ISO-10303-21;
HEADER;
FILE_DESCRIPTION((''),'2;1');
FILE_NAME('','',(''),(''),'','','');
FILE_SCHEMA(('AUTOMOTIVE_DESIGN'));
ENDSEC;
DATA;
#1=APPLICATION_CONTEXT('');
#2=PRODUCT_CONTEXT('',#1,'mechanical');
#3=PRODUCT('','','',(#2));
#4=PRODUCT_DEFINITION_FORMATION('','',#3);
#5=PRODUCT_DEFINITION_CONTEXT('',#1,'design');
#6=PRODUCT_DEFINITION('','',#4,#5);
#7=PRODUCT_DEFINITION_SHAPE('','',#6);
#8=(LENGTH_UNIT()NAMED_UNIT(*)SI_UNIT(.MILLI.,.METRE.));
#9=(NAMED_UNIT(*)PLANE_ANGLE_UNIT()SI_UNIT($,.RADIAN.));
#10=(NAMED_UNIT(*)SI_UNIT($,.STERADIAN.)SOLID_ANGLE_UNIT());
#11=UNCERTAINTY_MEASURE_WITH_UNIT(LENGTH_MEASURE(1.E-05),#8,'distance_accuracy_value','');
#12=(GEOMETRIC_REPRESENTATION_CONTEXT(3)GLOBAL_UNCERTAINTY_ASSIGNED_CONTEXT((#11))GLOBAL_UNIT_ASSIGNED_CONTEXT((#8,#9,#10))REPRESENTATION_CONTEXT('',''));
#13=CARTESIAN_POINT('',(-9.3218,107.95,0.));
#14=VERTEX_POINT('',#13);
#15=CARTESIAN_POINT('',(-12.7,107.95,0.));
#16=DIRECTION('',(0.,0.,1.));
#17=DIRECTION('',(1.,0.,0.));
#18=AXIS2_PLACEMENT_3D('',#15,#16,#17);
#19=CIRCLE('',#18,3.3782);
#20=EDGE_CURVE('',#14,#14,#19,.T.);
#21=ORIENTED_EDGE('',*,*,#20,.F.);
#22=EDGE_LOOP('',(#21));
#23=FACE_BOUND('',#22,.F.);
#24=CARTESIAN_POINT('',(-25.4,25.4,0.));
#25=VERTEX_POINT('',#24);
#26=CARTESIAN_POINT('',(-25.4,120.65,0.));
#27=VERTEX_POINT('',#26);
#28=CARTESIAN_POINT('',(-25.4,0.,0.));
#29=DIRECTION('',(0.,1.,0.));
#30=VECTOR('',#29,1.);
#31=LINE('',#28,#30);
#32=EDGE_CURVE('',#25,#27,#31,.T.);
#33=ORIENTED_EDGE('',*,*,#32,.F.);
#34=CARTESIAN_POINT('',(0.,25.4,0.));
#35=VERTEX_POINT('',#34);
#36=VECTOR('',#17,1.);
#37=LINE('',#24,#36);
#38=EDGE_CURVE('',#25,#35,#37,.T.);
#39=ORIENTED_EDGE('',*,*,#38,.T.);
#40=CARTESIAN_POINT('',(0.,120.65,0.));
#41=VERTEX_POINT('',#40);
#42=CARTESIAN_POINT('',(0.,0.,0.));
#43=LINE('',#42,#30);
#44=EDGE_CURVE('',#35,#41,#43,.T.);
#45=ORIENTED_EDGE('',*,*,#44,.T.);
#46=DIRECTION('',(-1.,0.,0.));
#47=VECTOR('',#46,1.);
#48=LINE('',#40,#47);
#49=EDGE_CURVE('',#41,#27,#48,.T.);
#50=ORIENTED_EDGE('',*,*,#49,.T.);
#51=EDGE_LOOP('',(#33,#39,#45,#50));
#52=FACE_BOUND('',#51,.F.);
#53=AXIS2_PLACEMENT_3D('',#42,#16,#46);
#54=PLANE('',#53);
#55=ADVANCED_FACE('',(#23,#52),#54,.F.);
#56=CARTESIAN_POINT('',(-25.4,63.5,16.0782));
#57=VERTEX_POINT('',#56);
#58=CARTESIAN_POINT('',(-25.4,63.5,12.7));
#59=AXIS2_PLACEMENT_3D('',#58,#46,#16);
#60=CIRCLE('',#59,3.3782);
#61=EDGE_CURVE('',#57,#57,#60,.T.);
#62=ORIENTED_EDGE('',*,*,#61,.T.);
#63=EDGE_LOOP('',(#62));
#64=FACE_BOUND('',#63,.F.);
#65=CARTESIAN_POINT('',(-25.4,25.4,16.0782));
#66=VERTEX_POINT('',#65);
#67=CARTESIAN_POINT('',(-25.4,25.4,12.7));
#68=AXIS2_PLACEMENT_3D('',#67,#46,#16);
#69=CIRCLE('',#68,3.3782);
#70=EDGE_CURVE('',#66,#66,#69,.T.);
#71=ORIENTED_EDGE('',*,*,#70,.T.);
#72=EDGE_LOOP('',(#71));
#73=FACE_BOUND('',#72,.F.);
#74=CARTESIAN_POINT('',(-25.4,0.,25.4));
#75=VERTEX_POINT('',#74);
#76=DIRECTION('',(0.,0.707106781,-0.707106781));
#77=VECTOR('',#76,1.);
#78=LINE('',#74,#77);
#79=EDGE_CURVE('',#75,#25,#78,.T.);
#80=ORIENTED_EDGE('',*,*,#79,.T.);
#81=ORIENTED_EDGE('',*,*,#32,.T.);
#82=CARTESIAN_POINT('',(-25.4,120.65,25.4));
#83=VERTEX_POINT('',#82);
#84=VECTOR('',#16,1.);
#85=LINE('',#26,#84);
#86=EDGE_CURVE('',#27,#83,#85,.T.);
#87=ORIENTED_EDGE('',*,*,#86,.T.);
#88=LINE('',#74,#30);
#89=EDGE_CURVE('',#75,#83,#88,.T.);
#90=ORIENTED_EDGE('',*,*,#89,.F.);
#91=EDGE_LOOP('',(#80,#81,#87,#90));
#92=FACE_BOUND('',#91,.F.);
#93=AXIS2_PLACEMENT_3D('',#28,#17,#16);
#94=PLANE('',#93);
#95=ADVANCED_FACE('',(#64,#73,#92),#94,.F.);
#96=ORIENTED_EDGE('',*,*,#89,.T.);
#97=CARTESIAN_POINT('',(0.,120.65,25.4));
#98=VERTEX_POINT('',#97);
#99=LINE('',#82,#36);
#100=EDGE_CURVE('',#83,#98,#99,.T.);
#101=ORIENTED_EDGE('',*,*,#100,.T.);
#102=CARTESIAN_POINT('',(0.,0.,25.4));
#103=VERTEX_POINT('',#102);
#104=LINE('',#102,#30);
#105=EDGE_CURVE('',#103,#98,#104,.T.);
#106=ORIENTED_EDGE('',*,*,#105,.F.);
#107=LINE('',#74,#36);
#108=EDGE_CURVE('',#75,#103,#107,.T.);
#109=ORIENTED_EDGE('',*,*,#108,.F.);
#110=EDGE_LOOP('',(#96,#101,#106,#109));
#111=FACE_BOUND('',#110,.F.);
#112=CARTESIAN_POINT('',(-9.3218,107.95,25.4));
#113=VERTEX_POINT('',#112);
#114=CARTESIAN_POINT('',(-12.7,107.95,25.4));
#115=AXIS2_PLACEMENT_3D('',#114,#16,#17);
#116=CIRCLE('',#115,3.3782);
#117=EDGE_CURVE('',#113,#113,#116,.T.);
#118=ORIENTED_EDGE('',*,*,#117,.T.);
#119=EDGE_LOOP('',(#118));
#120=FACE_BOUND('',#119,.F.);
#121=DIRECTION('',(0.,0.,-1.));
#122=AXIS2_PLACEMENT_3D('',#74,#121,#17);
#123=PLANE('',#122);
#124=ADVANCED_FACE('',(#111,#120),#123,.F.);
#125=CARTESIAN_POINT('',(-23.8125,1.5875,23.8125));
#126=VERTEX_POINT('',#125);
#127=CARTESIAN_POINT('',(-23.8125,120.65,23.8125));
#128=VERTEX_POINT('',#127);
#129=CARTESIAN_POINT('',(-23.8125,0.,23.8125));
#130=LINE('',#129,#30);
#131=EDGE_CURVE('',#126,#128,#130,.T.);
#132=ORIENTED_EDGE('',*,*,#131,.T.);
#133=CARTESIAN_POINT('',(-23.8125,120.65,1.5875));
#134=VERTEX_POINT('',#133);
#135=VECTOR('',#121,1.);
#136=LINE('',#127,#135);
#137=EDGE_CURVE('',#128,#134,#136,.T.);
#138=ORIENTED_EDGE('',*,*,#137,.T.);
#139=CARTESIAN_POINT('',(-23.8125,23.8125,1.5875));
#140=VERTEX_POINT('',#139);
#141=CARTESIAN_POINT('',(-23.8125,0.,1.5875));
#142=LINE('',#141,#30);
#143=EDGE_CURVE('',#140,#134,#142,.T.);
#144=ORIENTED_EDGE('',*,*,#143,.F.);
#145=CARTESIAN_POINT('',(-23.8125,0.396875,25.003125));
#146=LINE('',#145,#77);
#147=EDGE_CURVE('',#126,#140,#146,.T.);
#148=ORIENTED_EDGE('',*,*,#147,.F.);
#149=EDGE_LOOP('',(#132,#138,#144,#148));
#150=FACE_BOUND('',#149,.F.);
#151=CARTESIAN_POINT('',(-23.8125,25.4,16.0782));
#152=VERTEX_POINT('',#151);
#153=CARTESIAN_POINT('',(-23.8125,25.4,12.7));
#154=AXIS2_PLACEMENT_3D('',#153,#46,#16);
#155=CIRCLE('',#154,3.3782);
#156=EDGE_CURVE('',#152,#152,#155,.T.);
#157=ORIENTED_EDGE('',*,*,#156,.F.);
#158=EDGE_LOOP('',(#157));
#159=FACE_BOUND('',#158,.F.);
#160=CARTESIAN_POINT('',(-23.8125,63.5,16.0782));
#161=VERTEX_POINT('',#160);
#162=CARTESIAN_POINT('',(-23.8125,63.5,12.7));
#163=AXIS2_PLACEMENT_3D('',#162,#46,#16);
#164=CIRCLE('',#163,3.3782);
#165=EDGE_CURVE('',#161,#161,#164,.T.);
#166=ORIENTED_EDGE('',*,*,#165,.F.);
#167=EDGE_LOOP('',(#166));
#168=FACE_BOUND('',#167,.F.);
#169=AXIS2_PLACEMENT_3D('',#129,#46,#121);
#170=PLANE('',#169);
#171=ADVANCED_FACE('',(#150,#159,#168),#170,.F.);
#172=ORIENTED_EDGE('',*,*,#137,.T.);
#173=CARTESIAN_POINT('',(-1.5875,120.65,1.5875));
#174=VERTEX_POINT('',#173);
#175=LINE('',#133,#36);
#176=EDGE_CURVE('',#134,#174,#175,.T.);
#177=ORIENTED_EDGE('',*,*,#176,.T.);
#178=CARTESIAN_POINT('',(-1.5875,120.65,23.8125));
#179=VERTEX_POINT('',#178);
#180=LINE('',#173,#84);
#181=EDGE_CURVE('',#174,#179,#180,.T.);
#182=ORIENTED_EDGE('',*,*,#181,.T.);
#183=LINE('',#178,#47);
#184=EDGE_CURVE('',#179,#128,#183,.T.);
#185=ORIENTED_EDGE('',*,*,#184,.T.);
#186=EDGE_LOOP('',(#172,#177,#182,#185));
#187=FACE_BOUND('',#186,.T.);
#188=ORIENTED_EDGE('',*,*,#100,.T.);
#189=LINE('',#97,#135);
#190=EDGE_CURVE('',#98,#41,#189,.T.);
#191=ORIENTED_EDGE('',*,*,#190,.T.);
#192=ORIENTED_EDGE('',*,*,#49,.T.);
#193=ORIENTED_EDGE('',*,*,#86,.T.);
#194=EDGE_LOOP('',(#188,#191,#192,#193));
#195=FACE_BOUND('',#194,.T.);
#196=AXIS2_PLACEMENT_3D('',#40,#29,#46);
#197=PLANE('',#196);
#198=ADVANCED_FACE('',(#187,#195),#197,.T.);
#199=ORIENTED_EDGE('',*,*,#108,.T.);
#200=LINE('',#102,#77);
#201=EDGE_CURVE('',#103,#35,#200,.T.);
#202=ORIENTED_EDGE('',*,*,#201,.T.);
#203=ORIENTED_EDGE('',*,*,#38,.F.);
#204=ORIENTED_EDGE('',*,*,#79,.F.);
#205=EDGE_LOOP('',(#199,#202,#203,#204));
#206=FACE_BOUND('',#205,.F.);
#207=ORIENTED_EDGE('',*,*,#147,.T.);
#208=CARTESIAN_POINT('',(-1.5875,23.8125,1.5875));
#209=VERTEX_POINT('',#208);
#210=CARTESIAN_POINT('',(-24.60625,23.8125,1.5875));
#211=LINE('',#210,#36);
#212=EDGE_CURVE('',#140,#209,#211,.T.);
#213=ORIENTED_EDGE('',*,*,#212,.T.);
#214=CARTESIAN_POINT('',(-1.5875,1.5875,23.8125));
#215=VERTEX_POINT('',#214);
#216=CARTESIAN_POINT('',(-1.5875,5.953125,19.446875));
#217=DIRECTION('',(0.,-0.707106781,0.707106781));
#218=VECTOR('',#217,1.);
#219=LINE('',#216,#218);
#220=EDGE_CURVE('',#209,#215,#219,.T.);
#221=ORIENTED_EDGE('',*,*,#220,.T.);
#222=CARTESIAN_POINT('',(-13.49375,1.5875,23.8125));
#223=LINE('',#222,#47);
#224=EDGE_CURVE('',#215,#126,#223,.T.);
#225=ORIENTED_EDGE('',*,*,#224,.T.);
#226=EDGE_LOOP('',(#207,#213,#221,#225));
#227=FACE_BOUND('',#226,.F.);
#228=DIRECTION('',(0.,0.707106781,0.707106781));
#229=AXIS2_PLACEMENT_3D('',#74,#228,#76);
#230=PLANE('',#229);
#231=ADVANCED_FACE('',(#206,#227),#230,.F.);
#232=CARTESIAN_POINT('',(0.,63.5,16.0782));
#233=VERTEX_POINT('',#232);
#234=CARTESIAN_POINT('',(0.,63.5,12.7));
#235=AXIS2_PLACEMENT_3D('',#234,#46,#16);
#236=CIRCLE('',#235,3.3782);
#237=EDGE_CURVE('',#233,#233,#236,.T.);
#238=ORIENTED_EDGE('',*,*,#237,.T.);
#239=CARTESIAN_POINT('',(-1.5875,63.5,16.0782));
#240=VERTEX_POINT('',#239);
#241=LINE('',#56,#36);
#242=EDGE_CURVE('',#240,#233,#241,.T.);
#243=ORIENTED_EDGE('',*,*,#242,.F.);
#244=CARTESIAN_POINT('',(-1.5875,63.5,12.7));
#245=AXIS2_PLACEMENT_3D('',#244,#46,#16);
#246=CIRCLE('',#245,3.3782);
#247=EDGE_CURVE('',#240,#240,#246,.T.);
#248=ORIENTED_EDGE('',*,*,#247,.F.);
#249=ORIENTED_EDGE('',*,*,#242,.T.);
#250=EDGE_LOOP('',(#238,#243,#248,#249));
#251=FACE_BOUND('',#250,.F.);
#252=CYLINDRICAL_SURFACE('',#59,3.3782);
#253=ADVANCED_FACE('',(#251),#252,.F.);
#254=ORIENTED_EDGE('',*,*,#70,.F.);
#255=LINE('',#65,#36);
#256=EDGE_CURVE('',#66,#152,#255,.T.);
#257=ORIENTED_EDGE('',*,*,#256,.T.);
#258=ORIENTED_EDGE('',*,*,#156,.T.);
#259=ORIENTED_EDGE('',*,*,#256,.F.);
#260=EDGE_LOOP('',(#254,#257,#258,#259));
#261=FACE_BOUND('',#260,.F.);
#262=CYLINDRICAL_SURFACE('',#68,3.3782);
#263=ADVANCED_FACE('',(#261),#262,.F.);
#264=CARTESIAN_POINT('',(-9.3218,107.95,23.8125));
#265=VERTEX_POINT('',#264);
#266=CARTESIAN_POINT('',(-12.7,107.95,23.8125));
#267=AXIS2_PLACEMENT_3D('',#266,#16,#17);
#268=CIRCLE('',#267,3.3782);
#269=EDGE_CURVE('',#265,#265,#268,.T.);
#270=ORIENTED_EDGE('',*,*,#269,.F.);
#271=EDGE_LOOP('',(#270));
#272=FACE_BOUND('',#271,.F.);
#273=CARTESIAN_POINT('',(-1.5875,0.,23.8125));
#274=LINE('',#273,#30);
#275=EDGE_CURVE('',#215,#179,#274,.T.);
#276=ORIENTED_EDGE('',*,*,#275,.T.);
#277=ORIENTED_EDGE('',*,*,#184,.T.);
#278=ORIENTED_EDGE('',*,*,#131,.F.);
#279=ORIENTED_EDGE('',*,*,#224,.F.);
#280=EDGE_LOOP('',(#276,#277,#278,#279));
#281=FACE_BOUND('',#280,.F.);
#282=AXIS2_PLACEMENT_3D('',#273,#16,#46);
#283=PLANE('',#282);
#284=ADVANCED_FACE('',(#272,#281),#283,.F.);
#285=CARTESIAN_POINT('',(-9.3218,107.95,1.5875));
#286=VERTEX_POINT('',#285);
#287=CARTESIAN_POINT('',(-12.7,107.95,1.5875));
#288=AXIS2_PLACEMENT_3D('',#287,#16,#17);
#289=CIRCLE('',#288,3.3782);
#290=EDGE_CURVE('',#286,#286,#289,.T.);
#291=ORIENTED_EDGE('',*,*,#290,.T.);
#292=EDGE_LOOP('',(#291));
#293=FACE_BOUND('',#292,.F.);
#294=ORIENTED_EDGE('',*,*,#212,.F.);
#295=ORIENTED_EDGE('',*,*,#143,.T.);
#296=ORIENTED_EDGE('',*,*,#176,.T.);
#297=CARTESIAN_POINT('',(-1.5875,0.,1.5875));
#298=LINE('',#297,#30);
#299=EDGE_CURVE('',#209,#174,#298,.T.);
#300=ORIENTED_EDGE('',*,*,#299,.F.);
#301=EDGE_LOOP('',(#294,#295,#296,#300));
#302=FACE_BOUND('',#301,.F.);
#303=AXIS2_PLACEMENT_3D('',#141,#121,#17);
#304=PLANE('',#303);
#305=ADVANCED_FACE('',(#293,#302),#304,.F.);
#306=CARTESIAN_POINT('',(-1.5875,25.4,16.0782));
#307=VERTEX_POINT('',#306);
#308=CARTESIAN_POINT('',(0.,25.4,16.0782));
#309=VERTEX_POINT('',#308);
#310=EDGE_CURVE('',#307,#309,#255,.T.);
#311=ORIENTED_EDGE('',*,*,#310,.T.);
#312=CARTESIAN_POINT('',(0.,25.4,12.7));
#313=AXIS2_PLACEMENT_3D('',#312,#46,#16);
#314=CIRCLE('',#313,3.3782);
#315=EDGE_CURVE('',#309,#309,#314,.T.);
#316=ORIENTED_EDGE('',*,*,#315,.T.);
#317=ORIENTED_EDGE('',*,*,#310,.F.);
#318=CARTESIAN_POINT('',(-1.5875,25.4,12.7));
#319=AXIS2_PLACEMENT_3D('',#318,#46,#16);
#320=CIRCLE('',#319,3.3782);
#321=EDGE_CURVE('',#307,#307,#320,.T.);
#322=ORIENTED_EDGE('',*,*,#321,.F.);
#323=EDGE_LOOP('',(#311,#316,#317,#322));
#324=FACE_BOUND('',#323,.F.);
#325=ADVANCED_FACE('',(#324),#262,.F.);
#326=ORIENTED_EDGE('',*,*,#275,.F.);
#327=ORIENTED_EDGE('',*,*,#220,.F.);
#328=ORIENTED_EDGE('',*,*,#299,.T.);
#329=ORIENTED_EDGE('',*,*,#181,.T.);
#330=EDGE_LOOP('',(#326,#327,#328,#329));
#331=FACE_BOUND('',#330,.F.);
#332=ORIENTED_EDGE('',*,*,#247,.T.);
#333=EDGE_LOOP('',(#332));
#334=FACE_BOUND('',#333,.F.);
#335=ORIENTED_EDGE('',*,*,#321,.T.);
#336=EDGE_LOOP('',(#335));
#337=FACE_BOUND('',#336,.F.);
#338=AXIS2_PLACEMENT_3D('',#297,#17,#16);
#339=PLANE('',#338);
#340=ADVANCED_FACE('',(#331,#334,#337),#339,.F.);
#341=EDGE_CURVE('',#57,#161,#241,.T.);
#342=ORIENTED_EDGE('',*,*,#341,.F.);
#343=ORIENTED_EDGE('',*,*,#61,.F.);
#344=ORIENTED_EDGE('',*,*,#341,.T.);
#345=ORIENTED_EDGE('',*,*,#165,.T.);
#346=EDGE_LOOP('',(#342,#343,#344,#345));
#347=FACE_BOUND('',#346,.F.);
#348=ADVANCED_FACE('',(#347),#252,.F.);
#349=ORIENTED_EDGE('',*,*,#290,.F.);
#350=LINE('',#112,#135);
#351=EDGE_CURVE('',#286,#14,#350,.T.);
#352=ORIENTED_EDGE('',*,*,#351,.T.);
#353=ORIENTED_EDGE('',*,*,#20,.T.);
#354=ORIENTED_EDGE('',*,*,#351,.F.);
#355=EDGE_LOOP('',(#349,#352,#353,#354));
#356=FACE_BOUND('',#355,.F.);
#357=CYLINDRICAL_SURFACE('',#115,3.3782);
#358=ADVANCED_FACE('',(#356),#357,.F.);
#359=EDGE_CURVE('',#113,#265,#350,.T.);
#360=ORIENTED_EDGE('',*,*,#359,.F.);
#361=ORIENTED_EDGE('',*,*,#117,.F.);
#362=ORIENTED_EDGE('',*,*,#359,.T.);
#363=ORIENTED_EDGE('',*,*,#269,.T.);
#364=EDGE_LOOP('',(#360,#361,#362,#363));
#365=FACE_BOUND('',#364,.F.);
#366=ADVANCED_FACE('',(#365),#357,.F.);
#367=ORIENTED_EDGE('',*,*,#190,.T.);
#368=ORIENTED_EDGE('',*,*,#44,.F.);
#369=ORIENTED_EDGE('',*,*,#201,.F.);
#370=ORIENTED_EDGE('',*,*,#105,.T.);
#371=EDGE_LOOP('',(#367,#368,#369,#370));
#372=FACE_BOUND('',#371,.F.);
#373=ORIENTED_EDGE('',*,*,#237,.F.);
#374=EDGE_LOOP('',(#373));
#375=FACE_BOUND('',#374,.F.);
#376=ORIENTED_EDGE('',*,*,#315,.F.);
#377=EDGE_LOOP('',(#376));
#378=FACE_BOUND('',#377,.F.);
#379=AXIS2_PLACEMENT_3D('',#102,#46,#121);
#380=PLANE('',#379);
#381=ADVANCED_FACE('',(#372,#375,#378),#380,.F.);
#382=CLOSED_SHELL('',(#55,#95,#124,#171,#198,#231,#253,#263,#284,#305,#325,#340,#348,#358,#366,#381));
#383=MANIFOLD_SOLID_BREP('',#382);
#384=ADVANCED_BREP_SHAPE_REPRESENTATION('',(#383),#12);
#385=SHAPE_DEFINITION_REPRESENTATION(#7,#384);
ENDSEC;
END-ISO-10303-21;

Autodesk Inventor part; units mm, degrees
ref_plane "YZ Plane" through (0, 0, 0) normal (1, 0, 0) x (0, 1, 0)
ref_plane "XZ Plane" through (0, 0, 0) normal (0, 1, 0) x (-1, 0, 0)
ref_plane "XY Plane" through (0, 0, 0) normal (0, 0, 1) x (1, 0, 0)
sketch "Sketch1" plane through (0, 0, 0) normal (0, 1, 0) x (-1, 0, 0)
  line L0 (0, 0) -> (25.4, 0)
  line L1 (25.4, 0) -> (25.4, 25.4)
  line L2 (25.4, 25.4) -> (0, 25.4)
  line L3 (0, 25.4) -> (0, 0)
  line L4 (1.5875, 23.8125) -> (23.8125, 23.8125)
  line L5 (23.8125, 23.8125) -> (23.8125, 1.5875)
  line L6 (23.8125, 1.5875) -> (1.5875, 1.5875)
  line L7 (1.5875, 1.5875) -> (1.5875, 23.8125)
  dimension "d0" = 25.4
  dimension "d2" = 25.4
  dimension "d3" = 1.5875
extrude "Extrusion1" add sketch "Sketch1" along normal blind 120.65
sketch "Sketch2" plane through (-25.4, 0, 0) normal (-1, 0, 0) x (0, 0, 1)
  line L0 (0, 0) -> (25.4, 0) projected
  line L1 (0, 0) -> (0, 120.65) projected
  line L2 (25.4, 0) -> (0, 25.4)
  dimension "d6" = 45
extrude "Extrusion2" cut sketch "Sketch2" against normal blind 25.4
sketch "Sketch3" plane through (-25.4, 120.65, 0) normal (-1, 0, 0) x (0, 0, 1)
  circle A0 centre (12.7, -95.25) radius 3.3782 projected
  circle A1 centre (12.7, -57.15) radius 3.3782 projected
  point P0 (0, -120.65)
extrude "Extrusion3" cut sketch "Sketch3" against normal blind 25.4
sketch "Sketch4" plane through (-25.4, 120.65, 25.4) normal (0, 0, 1) x (1, 0, 0)
  circle A0 centre (12.7, -12.7) radius 3.3782 projected
  circle A1 centre (12.7, -12.7) radius 3.3782 projected
extrude "Extrusion4" cut sketch "Sketch4" against normal blind 25.4
properties part number "Square Tube 6" material "Aluminum 6061"
